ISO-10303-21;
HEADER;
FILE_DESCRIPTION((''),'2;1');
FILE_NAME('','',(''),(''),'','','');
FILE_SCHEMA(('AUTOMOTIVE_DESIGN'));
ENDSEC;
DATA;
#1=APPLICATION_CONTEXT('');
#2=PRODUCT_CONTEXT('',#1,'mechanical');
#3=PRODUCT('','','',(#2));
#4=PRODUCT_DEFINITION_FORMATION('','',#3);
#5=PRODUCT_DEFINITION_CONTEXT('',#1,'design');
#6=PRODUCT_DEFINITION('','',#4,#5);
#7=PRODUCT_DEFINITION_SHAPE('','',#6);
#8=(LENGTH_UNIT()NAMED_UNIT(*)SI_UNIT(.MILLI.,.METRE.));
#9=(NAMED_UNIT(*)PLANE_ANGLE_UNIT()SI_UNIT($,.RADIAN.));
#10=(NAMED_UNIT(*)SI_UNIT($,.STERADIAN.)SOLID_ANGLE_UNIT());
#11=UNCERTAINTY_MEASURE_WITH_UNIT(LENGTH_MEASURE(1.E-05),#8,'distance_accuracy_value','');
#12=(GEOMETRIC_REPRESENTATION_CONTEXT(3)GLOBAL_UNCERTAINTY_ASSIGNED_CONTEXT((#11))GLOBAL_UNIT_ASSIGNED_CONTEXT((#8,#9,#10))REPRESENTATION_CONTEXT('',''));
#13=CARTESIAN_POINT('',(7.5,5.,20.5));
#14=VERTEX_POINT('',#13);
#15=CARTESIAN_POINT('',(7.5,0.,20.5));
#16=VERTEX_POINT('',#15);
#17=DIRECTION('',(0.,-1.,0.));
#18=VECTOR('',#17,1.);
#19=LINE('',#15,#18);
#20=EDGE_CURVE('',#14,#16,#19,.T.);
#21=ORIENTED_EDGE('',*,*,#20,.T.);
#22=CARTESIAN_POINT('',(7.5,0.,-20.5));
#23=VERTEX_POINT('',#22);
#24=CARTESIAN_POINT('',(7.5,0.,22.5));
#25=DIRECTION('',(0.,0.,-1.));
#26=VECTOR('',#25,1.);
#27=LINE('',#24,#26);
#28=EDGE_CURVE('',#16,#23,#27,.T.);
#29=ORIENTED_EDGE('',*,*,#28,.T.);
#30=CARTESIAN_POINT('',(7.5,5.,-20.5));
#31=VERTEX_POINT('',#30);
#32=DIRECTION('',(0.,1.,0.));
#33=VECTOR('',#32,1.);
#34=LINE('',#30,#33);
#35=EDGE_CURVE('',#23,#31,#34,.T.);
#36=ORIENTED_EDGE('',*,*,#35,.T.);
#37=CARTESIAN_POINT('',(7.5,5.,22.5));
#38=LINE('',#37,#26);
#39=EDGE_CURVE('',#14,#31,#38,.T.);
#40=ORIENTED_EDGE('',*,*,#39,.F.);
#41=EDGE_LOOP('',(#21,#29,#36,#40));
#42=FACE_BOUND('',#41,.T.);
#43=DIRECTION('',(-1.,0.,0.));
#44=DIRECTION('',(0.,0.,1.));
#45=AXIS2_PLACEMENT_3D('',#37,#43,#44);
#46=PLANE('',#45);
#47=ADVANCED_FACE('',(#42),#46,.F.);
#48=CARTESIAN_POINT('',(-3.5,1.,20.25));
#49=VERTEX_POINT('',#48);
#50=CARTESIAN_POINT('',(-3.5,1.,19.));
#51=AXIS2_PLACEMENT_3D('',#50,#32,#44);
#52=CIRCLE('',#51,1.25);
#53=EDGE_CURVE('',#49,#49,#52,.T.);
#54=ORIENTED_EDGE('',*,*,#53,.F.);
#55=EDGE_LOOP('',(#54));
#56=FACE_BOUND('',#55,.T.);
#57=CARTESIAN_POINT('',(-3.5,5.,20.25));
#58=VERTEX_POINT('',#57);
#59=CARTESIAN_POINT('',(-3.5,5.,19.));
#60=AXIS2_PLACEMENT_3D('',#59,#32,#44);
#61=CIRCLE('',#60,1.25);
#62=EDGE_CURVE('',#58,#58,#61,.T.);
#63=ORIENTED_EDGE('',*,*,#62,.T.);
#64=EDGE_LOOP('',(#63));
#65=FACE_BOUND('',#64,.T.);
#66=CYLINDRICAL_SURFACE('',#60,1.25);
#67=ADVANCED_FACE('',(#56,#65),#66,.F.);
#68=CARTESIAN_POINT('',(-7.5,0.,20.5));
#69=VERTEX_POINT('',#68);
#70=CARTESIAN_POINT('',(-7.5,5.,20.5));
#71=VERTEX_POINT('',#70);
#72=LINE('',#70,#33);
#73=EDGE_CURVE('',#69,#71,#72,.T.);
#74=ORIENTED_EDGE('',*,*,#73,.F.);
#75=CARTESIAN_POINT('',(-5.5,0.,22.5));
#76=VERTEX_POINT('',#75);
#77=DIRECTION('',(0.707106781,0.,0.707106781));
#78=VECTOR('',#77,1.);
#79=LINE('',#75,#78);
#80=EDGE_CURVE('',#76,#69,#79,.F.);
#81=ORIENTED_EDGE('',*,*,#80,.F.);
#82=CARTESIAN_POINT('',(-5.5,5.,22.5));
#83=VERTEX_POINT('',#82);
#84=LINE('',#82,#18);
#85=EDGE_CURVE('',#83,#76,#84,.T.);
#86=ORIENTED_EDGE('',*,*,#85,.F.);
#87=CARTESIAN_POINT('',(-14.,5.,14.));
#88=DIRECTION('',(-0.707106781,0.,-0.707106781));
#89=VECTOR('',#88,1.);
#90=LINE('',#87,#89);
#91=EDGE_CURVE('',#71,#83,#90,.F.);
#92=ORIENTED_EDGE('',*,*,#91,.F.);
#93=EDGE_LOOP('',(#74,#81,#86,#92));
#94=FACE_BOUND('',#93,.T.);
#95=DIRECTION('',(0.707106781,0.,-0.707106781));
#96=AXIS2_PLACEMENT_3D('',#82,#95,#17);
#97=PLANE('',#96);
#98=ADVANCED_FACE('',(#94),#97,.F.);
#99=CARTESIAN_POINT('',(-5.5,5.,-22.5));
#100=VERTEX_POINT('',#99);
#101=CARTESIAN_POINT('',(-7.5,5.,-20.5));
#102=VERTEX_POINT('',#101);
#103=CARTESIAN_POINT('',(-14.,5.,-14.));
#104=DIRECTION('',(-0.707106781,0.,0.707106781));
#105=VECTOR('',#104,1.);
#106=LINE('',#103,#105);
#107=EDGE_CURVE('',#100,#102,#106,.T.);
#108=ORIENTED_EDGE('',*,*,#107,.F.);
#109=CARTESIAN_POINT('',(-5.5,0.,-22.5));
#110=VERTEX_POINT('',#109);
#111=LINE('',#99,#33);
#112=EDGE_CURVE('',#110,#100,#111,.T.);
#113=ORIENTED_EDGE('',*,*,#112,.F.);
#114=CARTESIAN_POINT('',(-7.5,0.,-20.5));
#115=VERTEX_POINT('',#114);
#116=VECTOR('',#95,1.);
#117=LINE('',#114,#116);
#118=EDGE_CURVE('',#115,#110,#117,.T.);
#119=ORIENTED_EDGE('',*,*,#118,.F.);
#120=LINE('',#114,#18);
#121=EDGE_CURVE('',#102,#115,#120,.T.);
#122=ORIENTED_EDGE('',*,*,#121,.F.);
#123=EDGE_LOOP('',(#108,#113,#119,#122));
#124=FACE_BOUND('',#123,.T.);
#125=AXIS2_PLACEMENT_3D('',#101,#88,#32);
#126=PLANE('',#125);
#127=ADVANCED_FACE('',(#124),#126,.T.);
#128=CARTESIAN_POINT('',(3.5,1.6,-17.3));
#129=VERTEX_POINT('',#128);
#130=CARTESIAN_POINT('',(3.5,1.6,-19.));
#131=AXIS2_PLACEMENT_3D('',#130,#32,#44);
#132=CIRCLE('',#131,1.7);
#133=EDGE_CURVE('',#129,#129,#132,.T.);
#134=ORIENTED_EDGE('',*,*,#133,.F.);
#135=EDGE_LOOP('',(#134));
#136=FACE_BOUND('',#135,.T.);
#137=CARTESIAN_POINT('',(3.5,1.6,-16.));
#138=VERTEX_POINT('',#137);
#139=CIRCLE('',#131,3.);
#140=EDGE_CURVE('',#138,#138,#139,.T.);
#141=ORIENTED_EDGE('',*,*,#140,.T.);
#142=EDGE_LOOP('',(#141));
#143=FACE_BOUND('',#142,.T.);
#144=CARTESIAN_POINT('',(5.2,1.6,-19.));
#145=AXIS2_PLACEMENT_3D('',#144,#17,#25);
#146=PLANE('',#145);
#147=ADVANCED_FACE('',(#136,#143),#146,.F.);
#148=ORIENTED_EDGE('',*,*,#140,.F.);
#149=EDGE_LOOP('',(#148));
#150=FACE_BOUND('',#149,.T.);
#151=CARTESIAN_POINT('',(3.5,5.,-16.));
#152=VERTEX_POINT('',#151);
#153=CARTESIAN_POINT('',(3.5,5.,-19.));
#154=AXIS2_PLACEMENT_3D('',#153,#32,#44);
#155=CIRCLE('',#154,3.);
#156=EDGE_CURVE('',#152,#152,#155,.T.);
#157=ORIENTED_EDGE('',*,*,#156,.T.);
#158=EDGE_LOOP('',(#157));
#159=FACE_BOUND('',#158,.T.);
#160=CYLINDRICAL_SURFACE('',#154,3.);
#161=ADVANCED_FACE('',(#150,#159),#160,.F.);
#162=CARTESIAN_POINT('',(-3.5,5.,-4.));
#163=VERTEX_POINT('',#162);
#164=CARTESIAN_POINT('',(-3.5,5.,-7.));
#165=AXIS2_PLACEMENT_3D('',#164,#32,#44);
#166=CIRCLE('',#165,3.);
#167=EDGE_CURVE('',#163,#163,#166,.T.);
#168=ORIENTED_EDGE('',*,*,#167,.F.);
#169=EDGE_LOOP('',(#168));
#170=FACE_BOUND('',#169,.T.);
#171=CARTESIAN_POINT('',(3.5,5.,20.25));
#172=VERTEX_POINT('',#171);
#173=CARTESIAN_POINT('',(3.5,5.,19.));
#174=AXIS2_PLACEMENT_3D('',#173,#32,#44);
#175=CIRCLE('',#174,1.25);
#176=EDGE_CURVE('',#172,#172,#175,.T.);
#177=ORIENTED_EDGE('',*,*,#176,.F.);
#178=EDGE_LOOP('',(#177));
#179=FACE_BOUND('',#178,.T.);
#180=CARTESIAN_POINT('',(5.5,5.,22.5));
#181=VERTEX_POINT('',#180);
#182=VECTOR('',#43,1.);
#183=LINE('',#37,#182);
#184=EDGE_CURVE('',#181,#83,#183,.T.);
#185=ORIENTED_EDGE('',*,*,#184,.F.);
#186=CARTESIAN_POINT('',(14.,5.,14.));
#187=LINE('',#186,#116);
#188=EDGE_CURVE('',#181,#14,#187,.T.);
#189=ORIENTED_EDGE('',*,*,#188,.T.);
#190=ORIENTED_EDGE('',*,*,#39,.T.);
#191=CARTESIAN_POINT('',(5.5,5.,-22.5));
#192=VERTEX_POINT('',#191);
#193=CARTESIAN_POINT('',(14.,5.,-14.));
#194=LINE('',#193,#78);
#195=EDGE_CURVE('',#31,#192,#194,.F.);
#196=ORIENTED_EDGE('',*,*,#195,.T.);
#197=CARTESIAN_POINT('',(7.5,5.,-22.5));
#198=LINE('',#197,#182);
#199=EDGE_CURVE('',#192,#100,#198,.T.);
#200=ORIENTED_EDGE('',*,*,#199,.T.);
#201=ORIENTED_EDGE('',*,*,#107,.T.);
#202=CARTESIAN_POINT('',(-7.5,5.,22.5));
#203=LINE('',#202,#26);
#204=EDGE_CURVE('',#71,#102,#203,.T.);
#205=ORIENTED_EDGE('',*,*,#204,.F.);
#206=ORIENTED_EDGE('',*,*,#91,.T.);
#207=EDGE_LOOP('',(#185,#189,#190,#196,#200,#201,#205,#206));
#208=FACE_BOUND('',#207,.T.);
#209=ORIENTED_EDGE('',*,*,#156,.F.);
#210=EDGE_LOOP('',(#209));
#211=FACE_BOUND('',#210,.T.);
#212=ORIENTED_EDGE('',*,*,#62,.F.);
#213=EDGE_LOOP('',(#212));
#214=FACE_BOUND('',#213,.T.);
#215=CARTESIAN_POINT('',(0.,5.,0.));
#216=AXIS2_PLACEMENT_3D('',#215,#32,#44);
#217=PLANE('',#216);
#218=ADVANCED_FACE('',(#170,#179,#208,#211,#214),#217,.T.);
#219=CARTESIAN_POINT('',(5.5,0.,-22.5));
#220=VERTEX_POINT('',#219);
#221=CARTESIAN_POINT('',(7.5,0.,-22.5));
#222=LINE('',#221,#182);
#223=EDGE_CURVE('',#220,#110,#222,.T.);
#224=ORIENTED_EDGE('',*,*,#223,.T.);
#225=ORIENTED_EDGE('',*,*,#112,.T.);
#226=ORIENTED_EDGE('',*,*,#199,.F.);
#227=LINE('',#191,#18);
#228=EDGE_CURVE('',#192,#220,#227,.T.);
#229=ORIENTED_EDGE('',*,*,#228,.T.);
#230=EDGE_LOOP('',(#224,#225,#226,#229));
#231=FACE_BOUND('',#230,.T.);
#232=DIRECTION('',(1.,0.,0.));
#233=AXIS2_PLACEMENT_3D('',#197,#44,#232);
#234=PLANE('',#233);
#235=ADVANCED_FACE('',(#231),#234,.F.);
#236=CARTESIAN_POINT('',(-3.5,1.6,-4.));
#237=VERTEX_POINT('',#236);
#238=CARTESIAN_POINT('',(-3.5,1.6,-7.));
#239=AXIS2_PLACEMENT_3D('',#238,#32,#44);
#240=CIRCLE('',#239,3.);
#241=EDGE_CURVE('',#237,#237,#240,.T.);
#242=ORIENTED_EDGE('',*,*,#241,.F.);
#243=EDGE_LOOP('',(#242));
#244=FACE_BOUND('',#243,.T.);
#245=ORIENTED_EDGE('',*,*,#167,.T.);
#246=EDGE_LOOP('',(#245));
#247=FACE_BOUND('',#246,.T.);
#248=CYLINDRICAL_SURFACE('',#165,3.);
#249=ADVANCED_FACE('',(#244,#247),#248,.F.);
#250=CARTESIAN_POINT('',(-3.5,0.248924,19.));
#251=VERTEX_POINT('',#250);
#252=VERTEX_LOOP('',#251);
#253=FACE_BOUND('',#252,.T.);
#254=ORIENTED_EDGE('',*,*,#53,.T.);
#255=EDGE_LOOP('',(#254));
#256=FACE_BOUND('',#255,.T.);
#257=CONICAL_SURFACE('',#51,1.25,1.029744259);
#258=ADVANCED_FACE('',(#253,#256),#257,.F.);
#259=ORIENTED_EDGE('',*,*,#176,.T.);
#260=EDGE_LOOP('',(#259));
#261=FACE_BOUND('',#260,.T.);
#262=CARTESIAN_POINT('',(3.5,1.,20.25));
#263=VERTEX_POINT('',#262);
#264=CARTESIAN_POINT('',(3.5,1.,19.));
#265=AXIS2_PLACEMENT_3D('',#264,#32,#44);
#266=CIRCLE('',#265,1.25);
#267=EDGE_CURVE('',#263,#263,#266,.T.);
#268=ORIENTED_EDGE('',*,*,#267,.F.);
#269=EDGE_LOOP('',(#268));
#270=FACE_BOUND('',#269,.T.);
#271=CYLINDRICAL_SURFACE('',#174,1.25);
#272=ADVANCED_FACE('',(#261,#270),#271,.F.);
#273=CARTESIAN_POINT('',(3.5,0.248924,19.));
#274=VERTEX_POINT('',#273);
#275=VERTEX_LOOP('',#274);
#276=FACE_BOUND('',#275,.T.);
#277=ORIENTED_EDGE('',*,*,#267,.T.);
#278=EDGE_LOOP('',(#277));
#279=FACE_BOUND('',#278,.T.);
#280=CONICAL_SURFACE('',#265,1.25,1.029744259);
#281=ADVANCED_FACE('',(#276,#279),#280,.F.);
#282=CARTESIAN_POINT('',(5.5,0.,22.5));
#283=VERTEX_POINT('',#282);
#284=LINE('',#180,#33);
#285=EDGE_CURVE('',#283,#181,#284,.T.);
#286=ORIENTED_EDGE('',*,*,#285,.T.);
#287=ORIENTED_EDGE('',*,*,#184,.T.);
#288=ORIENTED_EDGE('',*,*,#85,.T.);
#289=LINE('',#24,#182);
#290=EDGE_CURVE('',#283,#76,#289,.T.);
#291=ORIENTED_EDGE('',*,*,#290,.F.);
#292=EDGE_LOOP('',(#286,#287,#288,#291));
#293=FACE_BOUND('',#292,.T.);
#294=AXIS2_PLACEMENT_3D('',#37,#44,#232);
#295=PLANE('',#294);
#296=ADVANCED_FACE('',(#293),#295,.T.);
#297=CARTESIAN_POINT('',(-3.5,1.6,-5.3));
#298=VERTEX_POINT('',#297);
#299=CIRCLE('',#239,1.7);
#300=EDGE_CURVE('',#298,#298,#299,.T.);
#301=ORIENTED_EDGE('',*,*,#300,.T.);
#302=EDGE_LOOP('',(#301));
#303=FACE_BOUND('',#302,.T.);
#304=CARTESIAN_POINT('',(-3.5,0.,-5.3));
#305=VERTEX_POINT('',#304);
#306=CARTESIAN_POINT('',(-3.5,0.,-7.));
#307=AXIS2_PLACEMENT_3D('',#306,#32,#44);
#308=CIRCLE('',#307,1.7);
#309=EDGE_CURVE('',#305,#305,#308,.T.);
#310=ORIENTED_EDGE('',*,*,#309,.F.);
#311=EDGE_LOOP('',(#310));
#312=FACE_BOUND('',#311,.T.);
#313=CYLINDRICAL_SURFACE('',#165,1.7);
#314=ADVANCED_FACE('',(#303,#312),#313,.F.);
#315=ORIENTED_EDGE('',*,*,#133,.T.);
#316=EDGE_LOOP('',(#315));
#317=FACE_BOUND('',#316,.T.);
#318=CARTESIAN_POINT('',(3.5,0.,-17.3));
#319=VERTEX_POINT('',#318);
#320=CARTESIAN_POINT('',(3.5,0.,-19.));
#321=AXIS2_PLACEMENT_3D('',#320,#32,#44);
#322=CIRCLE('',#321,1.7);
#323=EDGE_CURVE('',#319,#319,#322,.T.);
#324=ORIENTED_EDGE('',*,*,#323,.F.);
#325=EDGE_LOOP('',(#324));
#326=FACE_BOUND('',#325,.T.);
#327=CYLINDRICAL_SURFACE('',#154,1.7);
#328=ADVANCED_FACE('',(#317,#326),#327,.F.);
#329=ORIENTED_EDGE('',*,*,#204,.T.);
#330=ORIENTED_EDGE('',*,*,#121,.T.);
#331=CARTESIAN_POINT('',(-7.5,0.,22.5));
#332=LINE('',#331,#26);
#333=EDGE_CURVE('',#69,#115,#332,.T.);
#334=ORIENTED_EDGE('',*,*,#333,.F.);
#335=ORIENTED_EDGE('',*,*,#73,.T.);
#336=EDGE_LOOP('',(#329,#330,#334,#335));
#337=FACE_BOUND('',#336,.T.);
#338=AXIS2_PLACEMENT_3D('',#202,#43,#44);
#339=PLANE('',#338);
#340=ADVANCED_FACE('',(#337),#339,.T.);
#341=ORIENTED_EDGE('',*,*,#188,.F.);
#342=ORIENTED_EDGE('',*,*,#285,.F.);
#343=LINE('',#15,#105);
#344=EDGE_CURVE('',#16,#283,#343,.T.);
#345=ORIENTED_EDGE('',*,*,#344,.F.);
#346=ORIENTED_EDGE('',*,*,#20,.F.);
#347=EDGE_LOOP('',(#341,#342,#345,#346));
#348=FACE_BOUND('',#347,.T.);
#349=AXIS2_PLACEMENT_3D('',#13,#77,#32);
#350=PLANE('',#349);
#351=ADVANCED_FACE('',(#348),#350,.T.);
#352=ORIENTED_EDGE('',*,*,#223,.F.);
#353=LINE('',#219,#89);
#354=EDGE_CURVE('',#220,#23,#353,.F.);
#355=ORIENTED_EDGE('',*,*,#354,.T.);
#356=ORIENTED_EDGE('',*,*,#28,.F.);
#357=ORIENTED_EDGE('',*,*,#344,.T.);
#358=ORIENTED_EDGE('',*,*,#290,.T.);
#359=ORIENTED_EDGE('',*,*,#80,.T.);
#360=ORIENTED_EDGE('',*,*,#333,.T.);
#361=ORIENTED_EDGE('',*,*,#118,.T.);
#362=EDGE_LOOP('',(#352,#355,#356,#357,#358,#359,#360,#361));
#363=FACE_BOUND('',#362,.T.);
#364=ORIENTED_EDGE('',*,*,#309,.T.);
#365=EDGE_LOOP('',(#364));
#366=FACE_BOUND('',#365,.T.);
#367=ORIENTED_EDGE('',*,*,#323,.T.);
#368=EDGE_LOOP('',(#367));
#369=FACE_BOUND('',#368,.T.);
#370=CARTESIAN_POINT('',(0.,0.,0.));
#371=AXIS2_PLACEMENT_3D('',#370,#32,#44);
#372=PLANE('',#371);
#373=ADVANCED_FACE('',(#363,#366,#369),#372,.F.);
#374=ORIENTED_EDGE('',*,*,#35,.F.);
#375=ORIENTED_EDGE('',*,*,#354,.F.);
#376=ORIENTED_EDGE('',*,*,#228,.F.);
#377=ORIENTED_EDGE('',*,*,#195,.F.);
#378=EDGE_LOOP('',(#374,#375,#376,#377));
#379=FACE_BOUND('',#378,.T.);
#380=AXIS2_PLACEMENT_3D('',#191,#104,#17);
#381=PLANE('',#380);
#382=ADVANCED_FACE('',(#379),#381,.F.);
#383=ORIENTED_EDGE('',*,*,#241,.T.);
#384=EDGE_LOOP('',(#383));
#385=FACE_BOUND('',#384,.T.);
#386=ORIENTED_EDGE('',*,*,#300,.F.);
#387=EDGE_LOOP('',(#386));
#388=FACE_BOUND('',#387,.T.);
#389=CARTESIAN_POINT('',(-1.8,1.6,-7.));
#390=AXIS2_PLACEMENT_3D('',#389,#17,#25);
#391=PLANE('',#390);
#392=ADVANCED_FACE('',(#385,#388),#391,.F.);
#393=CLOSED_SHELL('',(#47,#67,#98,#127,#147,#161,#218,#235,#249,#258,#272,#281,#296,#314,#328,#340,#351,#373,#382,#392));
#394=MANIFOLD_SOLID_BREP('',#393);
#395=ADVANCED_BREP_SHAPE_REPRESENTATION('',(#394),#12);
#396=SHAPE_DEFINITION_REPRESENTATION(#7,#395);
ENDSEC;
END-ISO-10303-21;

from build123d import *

# Parameters (mm, degrees)
SKETCH1_W                                            = 15
SKETCH1_H                                            = 45
BOSS_EXTRUDE1_DEPTH                                  = 5
M3_TAPPED_HOLE1_D                                    = 2.5
M3_TAPPED_HOLE1_DEPTH                                = 4
M3_TAPPED_HOLE1_TIP                                  = 0.751075774
CBORE_FOR_M3_HEXAGON_SOCKET_HEAD_CAP_SCR_D           = 3.4
CBORE_FOR_M3_HEXAGON_SOCKET_HEAD_CAP_SCR_CBORE_D     = 6
CBORE_FOR_M3_HEXAGON_SOCKET_HEAD_CAP_SCR_CBORE_DEPTH = 3.4
CHAMFER1_SIZE                                        = 2


with BuildPart() as part:
    # Sketch1 → Boss-Extrude1 (new body)
    with BuildSketch(Plane(origin=(0, 0, 0), x_dir=(1, 0, 0), z_dir=(0, 1, 0))):
        Rectangle(SKETCH1_W, SKETCH1_H)
    extrude(amount=BOSS_EXTRUDE1_DEPTH)

    # M3 Tapped Hole1
    with Locations(Plane(origin=(0, 5, 0), x_dir=(1, 0, 0), z_dir=(0, 1, 0))):
        with Locations((-3.5, -19), (3.5, -19)):
            Hole(M3_TAPPED_HOLE1_D / 2, depth=M3_TAPPED_HOLE1_DEPTH)
            with Locations((0, 0, -(M3_TAPPED_HOLE1_DEPTH + M3_TAPPED_HOLE1_TIP / 2))):  # 118° drill point
                Cone(0, M3_TAPPED_HOLE1_D / 2, M3_TAPPED_HOLE1_TIP, mode=Mode.SUBTRACT)

    # CBORE for M3 Hexagon socket head cap screws1 (through all)
    with Locations(Plane(origin=(0, 5, 0), x_dir=(1, 0, 0), z_dir=(0, 1, 0))):
        with Locations((3.5, 19), (-3.5, 7)):
            CounterBoreHole(CBORE_FOR_M3_HEXAGON_SOCKET_HEAD_CAP_SCR_D / 2, CBORE_FOR_M3_HEXAGON_SOCKET_HEAD_CAP_SCR_CBORE_D / 2, CBORE_FOR_M3_HEXAGON_SOCKET_HEAD_CAP_SCR_CBORE_DEPTH)

    # Chamfer1
    chamfer1_edges = [part.edges().sort_by_distance(p)[0] for p in [
        (7.5, 2.5, 22.5),
        (-7.5, 2.5, 22.5),
        (-7.5, 2.5, -22.5),
        (7.5, 2.5, -22.5),
    ]]
    chamfer(chamfer1_edges, length=CHAMFER1_SIZE)


solid = part.part
